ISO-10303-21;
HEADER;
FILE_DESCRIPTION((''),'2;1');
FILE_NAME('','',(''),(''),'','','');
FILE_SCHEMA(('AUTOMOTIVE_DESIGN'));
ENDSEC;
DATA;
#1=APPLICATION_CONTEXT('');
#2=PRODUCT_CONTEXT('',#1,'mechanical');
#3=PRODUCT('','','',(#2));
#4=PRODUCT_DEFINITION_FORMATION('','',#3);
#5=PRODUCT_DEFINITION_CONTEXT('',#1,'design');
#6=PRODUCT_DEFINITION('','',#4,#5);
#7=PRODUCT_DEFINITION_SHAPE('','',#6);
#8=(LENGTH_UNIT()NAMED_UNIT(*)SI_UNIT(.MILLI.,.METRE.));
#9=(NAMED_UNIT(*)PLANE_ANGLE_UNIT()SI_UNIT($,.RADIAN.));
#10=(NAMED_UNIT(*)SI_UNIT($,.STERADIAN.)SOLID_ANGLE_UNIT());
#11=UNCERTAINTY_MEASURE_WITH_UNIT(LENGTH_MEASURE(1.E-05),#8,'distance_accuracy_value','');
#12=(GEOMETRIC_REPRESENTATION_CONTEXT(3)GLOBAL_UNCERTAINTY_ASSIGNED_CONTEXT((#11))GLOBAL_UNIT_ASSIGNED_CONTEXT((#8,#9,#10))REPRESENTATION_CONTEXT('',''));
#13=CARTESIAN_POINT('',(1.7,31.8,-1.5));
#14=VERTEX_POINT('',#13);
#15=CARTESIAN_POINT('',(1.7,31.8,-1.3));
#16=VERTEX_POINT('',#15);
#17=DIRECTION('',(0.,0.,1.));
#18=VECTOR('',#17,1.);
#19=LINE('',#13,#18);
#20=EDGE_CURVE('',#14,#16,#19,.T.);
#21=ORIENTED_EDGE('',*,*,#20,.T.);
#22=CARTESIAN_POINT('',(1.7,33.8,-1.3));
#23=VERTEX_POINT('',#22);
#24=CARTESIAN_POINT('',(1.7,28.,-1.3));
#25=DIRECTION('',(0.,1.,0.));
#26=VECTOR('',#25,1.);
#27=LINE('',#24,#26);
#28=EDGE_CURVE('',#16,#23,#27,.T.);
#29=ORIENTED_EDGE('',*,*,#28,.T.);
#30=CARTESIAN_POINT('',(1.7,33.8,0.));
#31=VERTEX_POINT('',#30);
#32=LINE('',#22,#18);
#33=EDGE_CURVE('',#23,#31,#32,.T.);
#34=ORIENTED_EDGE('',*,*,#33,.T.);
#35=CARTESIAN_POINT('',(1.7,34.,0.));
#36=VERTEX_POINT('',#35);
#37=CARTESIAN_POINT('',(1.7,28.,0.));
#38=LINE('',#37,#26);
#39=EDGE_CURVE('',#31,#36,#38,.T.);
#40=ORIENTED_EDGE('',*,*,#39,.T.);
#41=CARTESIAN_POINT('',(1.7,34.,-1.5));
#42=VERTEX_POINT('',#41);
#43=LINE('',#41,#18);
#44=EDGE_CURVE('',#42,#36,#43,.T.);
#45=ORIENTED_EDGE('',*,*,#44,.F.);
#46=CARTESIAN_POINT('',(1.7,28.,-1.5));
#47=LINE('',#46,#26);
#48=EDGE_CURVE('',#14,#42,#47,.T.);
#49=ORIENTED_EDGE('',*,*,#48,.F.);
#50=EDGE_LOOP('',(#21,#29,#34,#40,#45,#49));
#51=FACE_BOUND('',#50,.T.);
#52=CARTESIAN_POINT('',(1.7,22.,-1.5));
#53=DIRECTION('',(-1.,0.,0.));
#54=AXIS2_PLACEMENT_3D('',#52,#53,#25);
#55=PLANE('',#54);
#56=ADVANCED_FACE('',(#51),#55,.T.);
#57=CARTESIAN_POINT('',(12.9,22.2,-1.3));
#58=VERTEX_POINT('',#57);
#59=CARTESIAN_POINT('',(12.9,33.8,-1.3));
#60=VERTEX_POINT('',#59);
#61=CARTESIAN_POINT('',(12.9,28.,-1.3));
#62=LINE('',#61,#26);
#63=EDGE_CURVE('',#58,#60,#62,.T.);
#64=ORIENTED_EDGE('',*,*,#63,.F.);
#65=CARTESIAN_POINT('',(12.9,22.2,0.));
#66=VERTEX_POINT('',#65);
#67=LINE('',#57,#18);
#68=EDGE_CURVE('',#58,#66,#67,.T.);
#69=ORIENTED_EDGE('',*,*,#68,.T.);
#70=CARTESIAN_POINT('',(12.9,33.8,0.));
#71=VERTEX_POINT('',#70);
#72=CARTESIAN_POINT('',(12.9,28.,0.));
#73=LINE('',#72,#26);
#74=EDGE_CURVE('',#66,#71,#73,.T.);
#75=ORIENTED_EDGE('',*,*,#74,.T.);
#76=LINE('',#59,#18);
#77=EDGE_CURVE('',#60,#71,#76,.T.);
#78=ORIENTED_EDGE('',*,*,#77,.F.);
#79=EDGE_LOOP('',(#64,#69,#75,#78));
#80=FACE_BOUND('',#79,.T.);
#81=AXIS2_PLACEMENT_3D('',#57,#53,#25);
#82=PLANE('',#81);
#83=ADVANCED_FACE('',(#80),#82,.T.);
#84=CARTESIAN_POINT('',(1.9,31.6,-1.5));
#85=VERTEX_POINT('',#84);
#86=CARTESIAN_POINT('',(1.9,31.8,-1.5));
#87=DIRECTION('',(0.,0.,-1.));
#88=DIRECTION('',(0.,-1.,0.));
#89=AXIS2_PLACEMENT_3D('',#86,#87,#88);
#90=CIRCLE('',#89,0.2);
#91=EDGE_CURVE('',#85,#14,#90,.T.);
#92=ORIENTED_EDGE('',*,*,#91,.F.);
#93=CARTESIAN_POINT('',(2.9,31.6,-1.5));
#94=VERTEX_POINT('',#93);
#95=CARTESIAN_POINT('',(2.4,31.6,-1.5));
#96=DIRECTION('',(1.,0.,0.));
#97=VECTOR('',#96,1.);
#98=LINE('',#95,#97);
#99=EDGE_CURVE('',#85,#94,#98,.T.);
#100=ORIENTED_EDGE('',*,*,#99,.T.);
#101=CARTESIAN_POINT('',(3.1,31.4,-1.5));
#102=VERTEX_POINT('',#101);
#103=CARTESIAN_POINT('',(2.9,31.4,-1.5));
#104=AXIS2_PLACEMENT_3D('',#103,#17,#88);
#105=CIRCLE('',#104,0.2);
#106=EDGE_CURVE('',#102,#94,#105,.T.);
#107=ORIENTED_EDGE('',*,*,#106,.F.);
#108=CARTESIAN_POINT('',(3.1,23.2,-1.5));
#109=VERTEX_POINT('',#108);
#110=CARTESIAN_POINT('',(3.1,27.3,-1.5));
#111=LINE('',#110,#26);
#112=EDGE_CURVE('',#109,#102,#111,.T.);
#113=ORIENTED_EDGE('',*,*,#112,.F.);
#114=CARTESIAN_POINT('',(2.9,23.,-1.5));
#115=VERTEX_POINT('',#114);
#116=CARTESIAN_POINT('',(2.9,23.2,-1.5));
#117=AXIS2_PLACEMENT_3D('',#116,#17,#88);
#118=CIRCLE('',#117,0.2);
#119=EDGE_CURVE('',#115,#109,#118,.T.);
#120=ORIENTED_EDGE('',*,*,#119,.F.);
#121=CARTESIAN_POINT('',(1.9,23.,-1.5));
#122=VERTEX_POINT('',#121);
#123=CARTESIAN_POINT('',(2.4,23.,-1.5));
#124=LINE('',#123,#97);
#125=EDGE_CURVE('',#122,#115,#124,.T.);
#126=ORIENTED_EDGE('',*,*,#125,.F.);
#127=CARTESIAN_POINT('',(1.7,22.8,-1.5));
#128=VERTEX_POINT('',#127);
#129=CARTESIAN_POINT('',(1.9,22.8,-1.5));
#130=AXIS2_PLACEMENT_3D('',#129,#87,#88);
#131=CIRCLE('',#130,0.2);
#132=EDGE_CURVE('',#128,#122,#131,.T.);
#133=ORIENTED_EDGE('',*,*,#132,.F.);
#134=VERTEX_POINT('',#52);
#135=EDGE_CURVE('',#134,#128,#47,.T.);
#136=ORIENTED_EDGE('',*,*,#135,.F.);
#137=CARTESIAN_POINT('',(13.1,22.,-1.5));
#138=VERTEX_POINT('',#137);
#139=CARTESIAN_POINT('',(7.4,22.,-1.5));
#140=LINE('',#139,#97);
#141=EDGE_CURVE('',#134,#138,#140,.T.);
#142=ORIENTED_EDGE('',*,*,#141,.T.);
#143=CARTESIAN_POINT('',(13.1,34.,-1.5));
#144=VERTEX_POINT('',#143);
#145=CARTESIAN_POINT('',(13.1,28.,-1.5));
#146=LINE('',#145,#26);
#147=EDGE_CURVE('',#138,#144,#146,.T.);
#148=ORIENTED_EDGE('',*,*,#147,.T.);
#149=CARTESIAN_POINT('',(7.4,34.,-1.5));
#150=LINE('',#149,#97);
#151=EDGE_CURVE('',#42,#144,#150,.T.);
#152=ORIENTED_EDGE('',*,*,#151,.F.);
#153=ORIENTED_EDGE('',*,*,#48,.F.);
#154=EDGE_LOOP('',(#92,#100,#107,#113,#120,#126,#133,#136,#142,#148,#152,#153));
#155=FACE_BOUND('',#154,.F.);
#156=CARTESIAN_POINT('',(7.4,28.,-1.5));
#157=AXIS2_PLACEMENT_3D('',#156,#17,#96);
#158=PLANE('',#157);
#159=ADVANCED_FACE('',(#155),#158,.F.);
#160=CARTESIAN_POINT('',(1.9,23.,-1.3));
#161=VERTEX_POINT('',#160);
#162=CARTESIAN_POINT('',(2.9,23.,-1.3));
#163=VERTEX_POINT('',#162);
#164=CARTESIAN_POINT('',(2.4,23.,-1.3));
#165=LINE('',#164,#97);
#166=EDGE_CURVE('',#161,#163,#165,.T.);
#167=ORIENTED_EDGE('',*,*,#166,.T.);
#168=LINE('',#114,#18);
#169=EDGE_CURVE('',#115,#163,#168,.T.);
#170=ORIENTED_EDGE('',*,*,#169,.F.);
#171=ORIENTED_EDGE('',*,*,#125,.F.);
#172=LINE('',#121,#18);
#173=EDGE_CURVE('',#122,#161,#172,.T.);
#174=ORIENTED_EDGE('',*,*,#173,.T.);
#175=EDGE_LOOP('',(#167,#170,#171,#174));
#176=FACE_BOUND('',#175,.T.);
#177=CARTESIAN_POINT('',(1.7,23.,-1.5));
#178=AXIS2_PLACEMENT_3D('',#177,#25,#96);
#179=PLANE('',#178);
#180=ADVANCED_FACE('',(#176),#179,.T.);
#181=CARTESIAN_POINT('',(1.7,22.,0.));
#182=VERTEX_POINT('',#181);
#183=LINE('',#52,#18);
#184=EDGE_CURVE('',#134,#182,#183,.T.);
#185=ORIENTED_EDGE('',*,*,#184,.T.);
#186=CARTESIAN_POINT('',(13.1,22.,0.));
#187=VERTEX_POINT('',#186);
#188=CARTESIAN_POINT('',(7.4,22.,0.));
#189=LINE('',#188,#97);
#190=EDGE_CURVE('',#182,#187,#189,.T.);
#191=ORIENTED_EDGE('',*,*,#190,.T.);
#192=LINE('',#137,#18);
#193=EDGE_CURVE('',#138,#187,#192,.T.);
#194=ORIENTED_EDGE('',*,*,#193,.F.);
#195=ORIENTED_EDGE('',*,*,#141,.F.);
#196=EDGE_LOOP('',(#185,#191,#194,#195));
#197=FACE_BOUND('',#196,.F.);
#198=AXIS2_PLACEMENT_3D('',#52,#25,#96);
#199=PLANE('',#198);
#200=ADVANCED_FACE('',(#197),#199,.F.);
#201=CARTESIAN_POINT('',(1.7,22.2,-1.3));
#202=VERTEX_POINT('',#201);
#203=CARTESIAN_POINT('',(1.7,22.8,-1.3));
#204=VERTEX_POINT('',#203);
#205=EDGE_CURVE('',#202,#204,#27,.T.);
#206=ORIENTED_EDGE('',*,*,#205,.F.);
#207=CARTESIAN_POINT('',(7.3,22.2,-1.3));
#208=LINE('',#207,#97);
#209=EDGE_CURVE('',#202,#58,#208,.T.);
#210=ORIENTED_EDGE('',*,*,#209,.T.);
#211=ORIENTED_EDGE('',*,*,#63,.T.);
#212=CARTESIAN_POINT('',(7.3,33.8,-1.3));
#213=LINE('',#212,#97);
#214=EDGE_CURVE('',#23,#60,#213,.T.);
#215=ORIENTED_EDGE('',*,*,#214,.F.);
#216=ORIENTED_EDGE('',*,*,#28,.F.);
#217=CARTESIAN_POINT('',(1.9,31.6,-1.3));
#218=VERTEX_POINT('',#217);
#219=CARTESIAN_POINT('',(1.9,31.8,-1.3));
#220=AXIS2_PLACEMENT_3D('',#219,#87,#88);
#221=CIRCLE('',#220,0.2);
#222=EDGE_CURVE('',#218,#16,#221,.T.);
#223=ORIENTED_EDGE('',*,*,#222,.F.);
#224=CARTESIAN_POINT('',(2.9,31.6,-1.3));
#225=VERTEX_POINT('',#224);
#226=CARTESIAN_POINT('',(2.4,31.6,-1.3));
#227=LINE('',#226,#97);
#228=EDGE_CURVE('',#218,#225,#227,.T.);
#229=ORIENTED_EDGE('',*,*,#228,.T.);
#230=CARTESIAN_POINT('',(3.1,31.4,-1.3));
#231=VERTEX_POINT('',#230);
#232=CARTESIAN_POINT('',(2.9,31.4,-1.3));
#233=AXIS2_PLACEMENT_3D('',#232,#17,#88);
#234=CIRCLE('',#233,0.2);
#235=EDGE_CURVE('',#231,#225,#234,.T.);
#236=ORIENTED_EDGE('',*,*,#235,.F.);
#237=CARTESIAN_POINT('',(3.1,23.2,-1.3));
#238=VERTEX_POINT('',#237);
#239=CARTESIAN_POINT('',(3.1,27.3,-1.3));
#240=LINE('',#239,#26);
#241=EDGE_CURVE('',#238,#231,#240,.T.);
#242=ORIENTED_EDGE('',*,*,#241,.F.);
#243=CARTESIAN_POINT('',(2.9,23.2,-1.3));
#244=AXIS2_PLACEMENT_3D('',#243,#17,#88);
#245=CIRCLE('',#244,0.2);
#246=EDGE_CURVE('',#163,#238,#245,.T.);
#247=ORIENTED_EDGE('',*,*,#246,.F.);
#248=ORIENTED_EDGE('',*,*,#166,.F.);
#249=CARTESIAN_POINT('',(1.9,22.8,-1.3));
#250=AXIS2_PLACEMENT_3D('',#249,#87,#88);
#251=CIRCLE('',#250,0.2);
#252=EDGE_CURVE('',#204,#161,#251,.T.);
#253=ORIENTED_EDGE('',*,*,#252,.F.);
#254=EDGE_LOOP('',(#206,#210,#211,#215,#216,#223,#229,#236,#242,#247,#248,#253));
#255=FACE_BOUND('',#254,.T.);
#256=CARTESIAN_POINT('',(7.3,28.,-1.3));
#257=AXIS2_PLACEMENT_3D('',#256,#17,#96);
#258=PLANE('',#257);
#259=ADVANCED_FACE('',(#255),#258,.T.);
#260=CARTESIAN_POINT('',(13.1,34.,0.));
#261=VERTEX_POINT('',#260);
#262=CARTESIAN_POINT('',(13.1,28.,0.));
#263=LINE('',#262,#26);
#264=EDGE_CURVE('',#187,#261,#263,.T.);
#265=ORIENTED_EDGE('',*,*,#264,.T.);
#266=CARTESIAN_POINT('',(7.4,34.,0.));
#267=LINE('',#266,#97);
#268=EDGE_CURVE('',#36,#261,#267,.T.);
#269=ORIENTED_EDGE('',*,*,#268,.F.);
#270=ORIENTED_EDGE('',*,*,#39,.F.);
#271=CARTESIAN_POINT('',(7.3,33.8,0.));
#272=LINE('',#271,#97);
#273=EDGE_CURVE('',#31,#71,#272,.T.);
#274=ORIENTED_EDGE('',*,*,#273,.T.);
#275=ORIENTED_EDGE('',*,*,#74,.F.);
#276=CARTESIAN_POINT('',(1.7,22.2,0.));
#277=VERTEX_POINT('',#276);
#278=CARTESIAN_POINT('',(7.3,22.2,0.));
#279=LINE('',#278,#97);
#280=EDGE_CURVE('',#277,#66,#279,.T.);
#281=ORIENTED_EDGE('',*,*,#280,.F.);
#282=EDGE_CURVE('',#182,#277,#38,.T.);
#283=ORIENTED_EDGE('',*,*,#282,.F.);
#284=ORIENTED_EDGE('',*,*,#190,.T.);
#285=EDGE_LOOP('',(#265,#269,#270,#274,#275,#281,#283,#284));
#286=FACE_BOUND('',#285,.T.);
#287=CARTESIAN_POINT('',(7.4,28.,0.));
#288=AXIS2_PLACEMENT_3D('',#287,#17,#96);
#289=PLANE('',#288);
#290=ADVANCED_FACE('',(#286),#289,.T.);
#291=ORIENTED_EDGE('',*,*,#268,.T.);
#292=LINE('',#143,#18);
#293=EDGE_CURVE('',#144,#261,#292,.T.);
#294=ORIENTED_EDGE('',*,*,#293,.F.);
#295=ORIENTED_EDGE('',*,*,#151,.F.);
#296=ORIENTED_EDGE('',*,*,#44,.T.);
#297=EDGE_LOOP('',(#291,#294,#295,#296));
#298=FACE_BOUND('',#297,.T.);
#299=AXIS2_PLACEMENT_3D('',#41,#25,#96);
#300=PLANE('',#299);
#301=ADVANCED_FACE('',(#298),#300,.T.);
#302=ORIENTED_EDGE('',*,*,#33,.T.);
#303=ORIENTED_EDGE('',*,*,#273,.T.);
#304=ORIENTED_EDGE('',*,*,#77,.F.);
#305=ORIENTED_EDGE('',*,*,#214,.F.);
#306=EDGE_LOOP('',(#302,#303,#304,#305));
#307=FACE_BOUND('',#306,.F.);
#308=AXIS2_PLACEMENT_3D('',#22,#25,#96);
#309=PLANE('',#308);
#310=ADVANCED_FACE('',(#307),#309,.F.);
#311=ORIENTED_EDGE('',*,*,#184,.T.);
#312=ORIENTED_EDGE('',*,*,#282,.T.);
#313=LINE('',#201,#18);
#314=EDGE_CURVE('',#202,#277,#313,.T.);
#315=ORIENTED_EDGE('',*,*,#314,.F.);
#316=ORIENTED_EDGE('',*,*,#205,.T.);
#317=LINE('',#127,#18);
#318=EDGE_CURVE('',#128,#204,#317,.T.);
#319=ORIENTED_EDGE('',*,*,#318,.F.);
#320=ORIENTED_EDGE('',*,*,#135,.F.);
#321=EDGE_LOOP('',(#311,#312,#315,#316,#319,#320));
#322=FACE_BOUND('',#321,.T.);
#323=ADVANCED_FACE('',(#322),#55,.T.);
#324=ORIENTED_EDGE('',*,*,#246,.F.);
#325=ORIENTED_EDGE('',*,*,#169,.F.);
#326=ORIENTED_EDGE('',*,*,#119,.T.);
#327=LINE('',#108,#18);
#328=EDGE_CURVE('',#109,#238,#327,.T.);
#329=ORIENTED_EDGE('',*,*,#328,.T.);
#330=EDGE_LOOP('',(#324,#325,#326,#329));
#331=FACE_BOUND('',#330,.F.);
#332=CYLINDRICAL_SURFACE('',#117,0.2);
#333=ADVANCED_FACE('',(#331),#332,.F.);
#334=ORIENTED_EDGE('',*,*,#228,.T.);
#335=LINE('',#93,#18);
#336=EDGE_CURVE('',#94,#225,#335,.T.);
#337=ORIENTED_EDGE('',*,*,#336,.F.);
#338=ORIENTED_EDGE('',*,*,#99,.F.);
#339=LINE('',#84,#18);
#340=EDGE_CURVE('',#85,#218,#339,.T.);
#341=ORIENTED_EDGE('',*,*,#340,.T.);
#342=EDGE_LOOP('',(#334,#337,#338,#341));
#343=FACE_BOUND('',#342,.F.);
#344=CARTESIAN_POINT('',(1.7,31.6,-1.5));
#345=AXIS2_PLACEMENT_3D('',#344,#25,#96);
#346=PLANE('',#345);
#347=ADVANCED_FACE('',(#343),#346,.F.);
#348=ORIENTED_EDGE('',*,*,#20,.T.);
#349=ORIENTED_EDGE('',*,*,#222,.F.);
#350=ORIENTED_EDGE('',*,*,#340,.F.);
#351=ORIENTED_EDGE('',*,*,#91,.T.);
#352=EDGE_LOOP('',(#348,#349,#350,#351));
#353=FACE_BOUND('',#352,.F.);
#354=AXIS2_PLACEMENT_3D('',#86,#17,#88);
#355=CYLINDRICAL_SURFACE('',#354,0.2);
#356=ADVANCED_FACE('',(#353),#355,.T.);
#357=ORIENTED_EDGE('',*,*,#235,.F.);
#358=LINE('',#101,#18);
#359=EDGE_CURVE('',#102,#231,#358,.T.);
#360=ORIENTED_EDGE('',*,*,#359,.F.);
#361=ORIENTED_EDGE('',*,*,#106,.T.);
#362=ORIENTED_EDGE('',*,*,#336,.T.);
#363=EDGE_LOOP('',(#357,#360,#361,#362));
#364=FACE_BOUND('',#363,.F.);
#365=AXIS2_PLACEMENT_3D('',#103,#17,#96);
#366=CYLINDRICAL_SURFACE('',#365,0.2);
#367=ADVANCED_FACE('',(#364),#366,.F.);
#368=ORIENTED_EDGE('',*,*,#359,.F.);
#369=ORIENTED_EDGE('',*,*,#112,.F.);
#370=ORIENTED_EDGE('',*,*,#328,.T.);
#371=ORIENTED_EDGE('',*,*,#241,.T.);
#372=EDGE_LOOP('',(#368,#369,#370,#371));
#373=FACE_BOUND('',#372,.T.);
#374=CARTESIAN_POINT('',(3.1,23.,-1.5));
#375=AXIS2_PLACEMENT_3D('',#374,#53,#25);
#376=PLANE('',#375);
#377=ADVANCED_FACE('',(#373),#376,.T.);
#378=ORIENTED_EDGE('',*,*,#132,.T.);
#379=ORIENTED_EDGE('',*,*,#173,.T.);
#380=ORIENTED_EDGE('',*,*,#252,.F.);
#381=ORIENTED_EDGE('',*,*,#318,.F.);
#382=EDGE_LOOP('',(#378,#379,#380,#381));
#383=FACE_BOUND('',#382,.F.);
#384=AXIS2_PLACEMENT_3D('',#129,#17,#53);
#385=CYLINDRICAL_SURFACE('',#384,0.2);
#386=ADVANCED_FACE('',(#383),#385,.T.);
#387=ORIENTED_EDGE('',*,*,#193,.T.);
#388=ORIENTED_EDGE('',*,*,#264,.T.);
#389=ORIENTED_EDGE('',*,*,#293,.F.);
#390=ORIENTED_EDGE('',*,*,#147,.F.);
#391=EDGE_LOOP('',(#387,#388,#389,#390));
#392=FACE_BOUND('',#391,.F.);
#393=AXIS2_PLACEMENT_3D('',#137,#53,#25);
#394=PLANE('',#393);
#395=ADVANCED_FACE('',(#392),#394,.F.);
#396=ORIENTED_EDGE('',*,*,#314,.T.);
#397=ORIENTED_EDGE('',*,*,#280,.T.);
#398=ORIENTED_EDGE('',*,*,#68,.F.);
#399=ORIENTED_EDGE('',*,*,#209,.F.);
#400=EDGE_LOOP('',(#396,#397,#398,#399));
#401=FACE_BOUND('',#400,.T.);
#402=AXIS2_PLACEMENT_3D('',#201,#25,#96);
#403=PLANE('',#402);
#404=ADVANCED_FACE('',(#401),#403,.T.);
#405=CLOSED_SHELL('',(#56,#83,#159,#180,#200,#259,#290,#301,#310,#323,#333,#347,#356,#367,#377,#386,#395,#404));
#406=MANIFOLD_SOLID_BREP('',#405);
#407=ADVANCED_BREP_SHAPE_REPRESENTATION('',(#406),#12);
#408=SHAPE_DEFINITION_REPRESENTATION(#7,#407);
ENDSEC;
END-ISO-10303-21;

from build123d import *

# Parameters (mm, degrees)
BOX070_W     = 1.4
BOX070_H     = 8.6
BOX070_DEPTH = 0.2
FILLET018_R  = 0.2
BOX069_W     = 11.2
BOX069_H     = 11.6
BOX069_DEPTH = 1.3
BOX068_W     = 11.4
BOX068_H     = 12
BOX068_DEPTH = 1.5
FILLET019_R  = 0.2


with BuildPart() as fillet020:
    # Box070 → Box070 (new body)
    with BuildSketch(Plane(origin=(0, 1, 0), x_dir=(1, 0, 0), z_dir=(0, 0, 1))):
        with Locations((0.7, 4.3)):
            Rectangle(BOX070_W, BOX070_H)
    extrude(amount=BOX070_DEPTH)

    # Fillet018
    fillet018_edges = [fillet020.edges().sort_by_distance(p)[0] for p in [
        (1.4, 1, 0.1),
        (1.4, 9.6, 0.1),
    ]]
    fillet(fillet018_edges, radius=FILLET018_R)


with BuildPart() as fusion052:
    # Box069 → Box069 (new body)
    with BuildSketch(Plane(origin=(0, 0.2, 0.2), x_dir=(1, 0, 0), z_dir=(0, 0, 1))):
        with Locations((5.6, 5.8)):
            Rectangle(BOX069_W, BOX069_H)
    extrude(amount=BOX069_DEPTH)

    # Fusion052: union Fillet020
    add(fillet020.part)


with BuildPart() as sd_card_slot:
    # Box068 → Box068 (new body)
    with BuildSketch(Plane.XY):
        with Locations((5.7, 6)):
            Rectangle(BOX068_W, BOX068_H)
    extrude(amount=BOX068_DEPTH)

    # Cut017: cut Fusion052
    add(fusion052.part, mode=Mode.SUBTRACT)

    # Fillet019
    fillet019_edges = [sd_card_slot.edges().sort_by_distance(p)[0] for p in [
        (0, 1, 0.1),
        (0, 9.6, 0.1),
    ]]
    fillet(fillet019_edges, radius=FILLET019_R)


with BuildPart() as sd_card_slot_1:
    # Fillet019 placement: moved
    add(sd_card_slot.part.moved(Location((1.7, 22, -1.5))))


solid = sd_card_slot_1.part
